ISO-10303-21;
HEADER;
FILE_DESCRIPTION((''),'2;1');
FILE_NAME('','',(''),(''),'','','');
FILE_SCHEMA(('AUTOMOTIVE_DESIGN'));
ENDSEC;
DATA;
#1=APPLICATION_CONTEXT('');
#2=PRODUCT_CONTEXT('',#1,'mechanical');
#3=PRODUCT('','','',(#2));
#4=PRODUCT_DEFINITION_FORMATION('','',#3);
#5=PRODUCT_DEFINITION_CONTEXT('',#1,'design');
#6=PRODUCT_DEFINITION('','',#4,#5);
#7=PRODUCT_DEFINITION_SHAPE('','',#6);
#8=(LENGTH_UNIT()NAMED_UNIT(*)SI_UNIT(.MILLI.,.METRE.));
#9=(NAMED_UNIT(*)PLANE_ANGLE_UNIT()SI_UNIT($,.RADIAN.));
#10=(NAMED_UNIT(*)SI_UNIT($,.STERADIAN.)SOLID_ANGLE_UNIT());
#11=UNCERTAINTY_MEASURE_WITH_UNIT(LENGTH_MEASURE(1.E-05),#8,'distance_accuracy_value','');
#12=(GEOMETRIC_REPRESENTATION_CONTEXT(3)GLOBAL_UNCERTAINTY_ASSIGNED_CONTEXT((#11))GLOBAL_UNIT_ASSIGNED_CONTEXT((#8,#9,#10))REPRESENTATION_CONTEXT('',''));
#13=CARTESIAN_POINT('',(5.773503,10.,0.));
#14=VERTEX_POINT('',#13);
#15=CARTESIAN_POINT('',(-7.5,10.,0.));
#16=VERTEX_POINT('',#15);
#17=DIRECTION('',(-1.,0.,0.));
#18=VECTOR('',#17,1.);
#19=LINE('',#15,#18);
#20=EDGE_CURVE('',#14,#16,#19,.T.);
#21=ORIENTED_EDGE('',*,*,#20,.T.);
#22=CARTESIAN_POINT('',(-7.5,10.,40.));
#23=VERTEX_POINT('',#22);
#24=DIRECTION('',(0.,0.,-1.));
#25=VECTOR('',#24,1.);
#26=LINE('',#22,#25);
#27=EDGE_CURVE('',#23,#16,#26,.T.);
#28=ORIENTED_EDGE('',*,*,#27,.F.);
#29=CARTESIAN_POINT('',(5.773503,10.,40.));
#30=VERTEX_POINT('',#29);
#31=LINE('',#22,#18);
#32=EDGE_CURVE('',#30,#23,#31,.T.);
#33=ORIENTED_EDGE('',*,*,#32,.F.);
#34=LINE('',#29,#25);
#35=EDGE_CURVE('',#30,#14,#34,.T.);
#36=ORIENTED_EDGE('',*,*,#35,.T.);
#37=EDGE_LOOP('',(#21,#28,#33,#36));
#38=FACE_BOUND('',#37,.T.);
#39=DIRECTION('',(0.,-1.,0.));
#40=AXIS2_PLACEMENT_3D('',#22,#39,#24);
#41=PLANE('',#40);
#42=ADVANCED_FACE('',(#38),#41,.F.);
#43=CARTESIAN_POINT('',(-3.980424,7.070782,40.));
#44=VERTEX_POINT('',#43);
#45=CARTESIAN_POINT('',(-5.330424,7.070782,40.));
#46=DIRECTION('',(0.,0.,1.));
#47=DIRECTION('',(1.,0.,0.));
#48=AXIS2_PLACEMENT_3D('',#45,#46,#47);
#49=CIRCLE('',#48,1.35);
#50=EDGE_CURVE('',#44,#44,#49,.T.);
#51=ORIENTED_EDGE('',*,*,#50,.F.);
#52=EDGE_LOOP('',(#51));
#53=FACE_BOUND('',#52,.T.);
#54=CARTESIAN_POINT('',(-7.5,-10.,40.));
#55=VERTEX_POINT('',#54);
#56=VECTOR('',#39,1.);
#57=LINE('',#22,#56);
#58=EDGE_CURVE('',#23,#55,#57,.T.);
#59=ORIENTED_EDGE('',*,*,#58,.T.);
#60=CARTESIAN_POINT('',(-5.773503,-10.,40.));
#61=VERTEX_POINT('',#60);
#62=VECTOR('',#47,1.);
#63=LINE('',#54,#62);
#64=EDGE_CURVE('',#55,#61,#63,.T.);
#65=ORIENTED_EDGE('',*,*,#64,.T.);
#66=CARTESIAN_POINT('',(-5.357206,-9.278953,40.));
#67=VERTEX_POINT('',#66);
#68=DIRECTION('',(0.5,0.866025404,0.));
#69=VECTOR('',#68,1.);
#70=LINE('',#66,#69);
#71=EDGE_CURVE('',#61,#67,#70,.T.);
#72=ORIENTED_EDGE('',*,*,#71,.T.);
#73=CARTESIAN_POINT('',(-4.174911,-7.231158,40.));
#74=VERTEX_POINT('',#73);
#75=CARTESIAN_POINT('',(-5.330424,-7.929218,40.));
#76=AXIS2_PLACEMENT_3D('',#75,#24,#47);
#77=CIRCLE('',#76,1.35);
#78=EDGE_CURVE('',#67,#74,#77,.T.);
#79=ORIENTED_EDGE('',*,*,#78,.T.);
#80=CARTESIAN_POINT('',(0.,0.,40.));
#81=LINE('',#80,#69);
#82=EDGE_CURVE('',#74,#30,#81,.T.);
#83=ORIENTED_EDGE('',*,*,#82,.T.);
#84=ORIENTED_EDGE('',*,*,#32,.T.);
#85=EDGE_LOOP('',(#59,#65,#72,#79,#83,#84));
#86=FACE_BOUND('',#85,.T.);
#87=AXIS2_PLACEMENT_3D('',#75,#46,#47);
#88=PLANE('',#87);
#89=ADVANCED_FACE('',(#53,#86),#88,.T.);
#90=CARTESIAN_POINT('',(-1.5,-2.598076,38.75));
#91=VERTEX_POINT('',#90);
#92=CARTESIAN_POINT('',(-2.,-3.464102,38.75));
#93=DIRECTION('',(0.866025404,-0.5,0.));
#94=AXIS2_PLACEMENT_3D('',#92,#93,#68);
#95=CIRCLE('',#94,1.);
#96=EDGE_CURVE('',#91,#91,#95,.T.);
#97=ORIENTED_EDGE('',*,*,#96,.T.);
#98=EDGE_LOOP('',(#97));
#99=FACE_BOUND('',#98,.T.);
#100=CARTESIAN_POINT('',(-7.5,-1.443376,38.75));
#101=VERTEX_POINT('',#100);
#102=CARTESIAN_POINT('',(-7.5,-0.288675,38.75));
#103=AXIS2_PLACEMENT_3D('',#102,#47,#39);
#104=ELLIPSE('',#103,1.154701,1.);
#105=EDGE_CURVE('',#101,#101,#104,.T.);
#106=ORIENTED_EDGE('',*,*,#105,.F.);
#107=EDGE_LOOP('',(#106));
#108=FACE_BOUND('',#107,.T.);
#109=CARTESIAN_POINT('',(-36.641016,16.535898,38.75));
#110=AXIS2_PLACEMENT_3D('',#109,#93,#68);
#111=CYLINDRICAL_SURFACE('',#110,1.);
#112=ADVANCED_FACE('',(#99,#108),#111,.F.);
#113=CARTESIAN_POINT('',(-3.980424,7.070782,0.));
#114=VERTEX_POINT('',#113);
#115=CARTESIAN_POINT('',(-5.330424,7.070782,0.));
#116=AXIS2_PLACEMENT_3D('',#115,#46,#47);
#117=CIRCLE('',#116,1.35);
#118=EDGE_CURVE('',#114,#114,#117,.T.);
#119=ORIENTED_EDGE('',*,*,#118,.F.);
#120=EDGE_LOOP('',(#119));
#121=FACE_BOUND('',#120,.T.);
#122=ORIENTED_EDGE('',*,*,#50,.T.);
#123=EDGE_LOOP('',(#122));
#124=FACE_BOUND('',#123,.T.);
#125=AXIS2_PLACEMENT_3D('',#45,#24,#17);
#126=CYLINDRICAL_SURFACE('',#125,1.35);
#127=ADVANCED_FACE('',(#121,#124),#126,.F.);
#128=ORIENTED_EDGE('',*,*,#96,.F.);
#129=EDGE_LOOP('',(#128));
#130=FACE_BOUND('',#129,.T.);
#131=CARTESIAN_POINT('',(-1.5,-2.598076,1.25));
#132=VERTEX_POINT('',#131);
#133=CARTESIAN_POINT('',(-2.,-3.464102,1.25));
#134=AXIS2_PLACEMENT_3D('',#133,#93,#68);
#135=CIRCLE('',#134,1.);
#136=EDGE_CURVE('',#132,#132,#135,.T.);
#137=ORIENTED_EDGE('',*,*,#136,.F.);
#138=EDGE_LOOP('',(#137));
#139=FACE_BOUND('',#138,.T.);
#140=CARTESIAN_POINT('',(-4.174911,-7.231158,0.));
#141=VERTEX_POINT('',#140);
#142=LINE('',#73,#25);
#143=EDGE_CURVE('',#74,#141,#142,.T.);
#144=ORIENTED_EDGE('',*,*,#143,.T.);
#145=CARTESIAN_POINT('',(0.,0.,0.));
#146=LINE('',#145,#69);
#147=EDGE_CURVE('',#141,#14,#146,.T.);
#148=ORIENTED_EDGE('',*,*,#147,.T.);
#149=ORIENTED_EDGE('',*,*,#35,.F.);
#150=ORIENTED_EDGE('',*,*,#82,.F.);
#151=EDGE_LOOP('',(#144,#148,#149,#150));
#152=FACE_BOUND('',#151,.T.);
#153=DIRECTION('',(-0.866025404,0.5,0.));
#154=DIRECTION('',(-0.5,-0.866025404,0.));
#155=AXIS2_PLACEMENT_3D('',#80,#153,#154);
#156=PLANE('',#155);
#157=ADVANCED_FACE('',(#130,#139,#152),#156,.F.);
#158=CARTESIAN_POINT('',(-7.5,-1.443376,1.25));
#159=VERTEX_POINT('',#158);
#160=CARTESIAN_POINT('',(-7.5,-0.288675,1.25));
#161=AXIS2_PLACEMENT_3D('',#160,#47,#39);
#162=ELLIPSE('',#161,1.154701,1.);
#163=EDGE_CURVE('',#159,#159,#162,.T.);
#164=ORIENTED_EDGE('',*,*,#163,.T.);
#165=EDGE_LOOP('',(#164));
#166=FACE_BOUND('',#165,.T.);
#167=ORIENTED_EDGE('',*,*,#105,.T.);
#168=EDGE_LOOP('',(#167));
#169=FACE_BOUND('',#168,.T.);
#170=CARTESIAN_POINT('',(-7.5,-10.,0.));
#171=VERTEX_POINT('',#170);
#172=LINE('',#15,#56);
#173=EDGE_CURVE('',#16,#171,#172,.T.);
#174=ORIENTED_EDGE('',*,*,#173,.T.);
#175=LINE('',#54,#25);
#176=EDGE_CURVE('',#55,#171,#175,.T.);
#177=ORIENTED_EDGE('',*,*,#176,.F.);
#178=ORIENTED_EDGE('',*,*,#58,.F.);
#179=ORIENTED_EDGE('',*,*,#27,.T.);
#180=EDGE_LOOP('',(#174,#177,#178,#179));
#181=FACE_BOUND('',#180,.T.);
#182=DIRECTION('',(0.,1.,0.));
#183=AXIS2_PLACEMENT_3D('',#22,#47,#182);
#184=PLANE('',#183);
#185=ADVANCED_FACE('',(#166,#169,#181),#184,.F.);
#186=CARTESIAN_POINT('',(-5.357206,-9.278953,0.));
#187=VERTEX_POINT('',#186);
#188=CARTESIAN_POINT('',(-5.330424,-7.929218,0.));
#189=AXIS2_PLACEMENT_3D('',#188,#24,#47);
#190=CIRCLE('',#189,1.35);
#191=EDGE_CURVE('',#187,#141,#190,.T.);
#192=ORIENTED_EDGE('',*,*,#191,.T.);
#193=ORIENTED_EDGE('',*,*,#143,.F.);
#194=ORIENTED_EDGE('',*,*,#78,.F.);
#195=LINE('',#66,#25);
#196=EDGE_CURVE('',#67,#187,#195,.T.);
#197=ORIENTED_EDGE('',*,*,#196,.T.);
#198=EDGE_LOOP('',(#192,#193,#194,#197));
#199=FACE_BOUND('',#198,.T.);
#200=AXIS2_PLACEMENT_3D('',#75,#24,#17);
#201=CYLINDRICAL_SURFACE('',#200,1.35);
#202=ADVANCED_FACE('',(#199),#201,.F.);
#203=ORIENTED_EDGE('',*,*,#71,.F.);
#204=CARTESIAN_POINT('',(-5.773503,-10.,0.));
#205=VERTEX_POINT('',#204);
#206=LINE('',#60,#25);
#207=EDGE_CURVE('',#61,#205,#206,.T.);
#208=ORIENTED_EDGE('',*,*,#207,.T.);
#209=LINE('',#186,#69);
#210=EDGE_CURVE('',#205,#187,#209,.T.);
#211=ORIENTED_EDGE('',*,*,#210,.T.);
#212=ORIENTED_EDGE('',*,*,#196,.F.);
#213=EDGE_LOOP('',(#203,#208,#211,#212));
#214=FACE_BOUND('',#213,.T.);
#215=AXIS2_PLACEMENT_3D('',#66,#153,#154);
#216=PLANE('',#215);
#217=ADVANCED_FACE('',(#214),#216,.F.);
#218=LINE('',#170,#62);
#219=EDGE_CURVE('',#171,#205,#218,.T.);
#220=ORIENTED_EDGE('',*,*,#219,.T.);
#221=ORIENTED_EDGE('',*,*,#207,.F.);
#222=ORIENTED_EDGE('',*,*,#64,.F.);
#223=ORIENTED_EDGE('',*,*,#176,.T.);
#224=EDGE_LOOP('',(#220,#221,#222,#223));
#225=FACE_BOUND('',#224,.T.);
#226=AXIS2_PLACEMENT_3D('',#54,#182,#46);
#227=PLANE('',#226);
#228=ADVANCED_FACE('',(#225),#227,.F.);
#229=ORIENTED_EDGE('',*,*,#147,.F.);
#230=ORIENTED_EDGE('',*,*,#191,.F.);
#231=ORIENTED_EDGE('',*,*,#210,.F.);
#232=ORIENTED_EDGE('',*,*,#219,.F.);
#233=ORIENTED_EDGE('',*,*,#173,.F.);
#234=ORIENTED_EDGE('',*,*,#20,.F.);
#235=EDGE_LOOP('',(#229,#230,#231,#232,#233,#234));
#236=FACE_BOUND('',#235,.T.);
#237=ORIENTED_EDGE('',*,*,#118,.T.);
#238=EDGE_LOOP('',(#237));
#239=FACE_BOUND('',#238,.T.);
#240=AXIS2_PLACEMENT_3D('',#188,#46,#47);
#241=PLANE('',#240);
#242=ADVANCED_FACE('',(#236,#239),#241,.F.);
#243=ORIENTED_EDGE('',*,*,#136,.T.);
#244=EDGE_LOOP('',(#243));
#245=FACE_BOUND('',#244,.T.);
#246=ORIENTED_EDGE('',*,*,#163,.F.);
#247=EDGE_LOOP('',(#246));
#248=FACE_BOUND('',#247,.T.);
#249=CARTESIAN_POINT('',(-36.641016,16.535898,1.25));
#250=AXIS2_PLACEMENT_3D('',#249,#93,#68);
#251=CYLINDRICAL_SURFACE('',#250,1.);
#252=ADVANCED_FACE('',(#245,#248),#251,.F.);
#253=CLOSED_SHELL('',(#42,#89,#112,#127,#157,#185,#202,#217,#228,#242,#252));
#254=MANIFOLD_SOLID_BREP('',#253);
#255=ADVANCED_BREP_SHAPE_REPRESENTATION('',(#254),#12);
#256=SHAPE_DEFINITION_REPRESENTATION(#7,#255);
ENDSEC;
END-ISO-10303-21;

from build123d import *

# Parameters (mm, degrees)
SKETCH_1_R          = 1.35
EXTRUDE_1_DEPTH     = 40
SKETCH_2_R          = 1
CUT_EXTRUDE_1_DEPTH = 40


with BuildPart() as part:
    # 草图1 → 凸台-拉伸1 (new body)
    with BuildSketch(Plane.XY):
        with BuildLine():
            Line((0, 0), (5.773502692, 10))
            Line((5.773502692, 10), (-7.5, 10))
            Line((-7.5, 10), (-7.5, -10))
            Line((-7.5, -10), (-5.773502692, -10))
            Line((-5.773502692, -10), (-5.357205868, -9.278952749))
            ThreePointArc((-5.357205868, -9.278952749), (-6.499558695, -7.254218423), (-4.174910918, -7.231157828))
            Line((-4.174910918, -7.231157828), (0, 0))
        make_face()
        with Locations((-5.3304244, 7.070781577)):
            Circle(SKETCH_1_R, mode=Mode.SUBTRACT)
    extrude(amount=EXTRUDE_1_DEPTH)

    # 草图2 → 切除-拉伸1 (cut)
    with BuildSketch(Plane(origin=(0, 0, 0), x_dir=(0, 0, -1), z_dir=(0.8660254037844399, -0.4999999999999977, 0))):
        with Locations(Location((-1.25, -4, 0), (0, 0, 90))):
            Circle(SKETCH_2_R)
        with Locations(Location((-38.75, -4, 0), (0, 0, 90))):
            Circle(SKETCH_2_R)
    extrude(amount=-CUT_EXTRUDE_1_DEPTH, mode=Mode.SUBTRACT)


solid = part.part
